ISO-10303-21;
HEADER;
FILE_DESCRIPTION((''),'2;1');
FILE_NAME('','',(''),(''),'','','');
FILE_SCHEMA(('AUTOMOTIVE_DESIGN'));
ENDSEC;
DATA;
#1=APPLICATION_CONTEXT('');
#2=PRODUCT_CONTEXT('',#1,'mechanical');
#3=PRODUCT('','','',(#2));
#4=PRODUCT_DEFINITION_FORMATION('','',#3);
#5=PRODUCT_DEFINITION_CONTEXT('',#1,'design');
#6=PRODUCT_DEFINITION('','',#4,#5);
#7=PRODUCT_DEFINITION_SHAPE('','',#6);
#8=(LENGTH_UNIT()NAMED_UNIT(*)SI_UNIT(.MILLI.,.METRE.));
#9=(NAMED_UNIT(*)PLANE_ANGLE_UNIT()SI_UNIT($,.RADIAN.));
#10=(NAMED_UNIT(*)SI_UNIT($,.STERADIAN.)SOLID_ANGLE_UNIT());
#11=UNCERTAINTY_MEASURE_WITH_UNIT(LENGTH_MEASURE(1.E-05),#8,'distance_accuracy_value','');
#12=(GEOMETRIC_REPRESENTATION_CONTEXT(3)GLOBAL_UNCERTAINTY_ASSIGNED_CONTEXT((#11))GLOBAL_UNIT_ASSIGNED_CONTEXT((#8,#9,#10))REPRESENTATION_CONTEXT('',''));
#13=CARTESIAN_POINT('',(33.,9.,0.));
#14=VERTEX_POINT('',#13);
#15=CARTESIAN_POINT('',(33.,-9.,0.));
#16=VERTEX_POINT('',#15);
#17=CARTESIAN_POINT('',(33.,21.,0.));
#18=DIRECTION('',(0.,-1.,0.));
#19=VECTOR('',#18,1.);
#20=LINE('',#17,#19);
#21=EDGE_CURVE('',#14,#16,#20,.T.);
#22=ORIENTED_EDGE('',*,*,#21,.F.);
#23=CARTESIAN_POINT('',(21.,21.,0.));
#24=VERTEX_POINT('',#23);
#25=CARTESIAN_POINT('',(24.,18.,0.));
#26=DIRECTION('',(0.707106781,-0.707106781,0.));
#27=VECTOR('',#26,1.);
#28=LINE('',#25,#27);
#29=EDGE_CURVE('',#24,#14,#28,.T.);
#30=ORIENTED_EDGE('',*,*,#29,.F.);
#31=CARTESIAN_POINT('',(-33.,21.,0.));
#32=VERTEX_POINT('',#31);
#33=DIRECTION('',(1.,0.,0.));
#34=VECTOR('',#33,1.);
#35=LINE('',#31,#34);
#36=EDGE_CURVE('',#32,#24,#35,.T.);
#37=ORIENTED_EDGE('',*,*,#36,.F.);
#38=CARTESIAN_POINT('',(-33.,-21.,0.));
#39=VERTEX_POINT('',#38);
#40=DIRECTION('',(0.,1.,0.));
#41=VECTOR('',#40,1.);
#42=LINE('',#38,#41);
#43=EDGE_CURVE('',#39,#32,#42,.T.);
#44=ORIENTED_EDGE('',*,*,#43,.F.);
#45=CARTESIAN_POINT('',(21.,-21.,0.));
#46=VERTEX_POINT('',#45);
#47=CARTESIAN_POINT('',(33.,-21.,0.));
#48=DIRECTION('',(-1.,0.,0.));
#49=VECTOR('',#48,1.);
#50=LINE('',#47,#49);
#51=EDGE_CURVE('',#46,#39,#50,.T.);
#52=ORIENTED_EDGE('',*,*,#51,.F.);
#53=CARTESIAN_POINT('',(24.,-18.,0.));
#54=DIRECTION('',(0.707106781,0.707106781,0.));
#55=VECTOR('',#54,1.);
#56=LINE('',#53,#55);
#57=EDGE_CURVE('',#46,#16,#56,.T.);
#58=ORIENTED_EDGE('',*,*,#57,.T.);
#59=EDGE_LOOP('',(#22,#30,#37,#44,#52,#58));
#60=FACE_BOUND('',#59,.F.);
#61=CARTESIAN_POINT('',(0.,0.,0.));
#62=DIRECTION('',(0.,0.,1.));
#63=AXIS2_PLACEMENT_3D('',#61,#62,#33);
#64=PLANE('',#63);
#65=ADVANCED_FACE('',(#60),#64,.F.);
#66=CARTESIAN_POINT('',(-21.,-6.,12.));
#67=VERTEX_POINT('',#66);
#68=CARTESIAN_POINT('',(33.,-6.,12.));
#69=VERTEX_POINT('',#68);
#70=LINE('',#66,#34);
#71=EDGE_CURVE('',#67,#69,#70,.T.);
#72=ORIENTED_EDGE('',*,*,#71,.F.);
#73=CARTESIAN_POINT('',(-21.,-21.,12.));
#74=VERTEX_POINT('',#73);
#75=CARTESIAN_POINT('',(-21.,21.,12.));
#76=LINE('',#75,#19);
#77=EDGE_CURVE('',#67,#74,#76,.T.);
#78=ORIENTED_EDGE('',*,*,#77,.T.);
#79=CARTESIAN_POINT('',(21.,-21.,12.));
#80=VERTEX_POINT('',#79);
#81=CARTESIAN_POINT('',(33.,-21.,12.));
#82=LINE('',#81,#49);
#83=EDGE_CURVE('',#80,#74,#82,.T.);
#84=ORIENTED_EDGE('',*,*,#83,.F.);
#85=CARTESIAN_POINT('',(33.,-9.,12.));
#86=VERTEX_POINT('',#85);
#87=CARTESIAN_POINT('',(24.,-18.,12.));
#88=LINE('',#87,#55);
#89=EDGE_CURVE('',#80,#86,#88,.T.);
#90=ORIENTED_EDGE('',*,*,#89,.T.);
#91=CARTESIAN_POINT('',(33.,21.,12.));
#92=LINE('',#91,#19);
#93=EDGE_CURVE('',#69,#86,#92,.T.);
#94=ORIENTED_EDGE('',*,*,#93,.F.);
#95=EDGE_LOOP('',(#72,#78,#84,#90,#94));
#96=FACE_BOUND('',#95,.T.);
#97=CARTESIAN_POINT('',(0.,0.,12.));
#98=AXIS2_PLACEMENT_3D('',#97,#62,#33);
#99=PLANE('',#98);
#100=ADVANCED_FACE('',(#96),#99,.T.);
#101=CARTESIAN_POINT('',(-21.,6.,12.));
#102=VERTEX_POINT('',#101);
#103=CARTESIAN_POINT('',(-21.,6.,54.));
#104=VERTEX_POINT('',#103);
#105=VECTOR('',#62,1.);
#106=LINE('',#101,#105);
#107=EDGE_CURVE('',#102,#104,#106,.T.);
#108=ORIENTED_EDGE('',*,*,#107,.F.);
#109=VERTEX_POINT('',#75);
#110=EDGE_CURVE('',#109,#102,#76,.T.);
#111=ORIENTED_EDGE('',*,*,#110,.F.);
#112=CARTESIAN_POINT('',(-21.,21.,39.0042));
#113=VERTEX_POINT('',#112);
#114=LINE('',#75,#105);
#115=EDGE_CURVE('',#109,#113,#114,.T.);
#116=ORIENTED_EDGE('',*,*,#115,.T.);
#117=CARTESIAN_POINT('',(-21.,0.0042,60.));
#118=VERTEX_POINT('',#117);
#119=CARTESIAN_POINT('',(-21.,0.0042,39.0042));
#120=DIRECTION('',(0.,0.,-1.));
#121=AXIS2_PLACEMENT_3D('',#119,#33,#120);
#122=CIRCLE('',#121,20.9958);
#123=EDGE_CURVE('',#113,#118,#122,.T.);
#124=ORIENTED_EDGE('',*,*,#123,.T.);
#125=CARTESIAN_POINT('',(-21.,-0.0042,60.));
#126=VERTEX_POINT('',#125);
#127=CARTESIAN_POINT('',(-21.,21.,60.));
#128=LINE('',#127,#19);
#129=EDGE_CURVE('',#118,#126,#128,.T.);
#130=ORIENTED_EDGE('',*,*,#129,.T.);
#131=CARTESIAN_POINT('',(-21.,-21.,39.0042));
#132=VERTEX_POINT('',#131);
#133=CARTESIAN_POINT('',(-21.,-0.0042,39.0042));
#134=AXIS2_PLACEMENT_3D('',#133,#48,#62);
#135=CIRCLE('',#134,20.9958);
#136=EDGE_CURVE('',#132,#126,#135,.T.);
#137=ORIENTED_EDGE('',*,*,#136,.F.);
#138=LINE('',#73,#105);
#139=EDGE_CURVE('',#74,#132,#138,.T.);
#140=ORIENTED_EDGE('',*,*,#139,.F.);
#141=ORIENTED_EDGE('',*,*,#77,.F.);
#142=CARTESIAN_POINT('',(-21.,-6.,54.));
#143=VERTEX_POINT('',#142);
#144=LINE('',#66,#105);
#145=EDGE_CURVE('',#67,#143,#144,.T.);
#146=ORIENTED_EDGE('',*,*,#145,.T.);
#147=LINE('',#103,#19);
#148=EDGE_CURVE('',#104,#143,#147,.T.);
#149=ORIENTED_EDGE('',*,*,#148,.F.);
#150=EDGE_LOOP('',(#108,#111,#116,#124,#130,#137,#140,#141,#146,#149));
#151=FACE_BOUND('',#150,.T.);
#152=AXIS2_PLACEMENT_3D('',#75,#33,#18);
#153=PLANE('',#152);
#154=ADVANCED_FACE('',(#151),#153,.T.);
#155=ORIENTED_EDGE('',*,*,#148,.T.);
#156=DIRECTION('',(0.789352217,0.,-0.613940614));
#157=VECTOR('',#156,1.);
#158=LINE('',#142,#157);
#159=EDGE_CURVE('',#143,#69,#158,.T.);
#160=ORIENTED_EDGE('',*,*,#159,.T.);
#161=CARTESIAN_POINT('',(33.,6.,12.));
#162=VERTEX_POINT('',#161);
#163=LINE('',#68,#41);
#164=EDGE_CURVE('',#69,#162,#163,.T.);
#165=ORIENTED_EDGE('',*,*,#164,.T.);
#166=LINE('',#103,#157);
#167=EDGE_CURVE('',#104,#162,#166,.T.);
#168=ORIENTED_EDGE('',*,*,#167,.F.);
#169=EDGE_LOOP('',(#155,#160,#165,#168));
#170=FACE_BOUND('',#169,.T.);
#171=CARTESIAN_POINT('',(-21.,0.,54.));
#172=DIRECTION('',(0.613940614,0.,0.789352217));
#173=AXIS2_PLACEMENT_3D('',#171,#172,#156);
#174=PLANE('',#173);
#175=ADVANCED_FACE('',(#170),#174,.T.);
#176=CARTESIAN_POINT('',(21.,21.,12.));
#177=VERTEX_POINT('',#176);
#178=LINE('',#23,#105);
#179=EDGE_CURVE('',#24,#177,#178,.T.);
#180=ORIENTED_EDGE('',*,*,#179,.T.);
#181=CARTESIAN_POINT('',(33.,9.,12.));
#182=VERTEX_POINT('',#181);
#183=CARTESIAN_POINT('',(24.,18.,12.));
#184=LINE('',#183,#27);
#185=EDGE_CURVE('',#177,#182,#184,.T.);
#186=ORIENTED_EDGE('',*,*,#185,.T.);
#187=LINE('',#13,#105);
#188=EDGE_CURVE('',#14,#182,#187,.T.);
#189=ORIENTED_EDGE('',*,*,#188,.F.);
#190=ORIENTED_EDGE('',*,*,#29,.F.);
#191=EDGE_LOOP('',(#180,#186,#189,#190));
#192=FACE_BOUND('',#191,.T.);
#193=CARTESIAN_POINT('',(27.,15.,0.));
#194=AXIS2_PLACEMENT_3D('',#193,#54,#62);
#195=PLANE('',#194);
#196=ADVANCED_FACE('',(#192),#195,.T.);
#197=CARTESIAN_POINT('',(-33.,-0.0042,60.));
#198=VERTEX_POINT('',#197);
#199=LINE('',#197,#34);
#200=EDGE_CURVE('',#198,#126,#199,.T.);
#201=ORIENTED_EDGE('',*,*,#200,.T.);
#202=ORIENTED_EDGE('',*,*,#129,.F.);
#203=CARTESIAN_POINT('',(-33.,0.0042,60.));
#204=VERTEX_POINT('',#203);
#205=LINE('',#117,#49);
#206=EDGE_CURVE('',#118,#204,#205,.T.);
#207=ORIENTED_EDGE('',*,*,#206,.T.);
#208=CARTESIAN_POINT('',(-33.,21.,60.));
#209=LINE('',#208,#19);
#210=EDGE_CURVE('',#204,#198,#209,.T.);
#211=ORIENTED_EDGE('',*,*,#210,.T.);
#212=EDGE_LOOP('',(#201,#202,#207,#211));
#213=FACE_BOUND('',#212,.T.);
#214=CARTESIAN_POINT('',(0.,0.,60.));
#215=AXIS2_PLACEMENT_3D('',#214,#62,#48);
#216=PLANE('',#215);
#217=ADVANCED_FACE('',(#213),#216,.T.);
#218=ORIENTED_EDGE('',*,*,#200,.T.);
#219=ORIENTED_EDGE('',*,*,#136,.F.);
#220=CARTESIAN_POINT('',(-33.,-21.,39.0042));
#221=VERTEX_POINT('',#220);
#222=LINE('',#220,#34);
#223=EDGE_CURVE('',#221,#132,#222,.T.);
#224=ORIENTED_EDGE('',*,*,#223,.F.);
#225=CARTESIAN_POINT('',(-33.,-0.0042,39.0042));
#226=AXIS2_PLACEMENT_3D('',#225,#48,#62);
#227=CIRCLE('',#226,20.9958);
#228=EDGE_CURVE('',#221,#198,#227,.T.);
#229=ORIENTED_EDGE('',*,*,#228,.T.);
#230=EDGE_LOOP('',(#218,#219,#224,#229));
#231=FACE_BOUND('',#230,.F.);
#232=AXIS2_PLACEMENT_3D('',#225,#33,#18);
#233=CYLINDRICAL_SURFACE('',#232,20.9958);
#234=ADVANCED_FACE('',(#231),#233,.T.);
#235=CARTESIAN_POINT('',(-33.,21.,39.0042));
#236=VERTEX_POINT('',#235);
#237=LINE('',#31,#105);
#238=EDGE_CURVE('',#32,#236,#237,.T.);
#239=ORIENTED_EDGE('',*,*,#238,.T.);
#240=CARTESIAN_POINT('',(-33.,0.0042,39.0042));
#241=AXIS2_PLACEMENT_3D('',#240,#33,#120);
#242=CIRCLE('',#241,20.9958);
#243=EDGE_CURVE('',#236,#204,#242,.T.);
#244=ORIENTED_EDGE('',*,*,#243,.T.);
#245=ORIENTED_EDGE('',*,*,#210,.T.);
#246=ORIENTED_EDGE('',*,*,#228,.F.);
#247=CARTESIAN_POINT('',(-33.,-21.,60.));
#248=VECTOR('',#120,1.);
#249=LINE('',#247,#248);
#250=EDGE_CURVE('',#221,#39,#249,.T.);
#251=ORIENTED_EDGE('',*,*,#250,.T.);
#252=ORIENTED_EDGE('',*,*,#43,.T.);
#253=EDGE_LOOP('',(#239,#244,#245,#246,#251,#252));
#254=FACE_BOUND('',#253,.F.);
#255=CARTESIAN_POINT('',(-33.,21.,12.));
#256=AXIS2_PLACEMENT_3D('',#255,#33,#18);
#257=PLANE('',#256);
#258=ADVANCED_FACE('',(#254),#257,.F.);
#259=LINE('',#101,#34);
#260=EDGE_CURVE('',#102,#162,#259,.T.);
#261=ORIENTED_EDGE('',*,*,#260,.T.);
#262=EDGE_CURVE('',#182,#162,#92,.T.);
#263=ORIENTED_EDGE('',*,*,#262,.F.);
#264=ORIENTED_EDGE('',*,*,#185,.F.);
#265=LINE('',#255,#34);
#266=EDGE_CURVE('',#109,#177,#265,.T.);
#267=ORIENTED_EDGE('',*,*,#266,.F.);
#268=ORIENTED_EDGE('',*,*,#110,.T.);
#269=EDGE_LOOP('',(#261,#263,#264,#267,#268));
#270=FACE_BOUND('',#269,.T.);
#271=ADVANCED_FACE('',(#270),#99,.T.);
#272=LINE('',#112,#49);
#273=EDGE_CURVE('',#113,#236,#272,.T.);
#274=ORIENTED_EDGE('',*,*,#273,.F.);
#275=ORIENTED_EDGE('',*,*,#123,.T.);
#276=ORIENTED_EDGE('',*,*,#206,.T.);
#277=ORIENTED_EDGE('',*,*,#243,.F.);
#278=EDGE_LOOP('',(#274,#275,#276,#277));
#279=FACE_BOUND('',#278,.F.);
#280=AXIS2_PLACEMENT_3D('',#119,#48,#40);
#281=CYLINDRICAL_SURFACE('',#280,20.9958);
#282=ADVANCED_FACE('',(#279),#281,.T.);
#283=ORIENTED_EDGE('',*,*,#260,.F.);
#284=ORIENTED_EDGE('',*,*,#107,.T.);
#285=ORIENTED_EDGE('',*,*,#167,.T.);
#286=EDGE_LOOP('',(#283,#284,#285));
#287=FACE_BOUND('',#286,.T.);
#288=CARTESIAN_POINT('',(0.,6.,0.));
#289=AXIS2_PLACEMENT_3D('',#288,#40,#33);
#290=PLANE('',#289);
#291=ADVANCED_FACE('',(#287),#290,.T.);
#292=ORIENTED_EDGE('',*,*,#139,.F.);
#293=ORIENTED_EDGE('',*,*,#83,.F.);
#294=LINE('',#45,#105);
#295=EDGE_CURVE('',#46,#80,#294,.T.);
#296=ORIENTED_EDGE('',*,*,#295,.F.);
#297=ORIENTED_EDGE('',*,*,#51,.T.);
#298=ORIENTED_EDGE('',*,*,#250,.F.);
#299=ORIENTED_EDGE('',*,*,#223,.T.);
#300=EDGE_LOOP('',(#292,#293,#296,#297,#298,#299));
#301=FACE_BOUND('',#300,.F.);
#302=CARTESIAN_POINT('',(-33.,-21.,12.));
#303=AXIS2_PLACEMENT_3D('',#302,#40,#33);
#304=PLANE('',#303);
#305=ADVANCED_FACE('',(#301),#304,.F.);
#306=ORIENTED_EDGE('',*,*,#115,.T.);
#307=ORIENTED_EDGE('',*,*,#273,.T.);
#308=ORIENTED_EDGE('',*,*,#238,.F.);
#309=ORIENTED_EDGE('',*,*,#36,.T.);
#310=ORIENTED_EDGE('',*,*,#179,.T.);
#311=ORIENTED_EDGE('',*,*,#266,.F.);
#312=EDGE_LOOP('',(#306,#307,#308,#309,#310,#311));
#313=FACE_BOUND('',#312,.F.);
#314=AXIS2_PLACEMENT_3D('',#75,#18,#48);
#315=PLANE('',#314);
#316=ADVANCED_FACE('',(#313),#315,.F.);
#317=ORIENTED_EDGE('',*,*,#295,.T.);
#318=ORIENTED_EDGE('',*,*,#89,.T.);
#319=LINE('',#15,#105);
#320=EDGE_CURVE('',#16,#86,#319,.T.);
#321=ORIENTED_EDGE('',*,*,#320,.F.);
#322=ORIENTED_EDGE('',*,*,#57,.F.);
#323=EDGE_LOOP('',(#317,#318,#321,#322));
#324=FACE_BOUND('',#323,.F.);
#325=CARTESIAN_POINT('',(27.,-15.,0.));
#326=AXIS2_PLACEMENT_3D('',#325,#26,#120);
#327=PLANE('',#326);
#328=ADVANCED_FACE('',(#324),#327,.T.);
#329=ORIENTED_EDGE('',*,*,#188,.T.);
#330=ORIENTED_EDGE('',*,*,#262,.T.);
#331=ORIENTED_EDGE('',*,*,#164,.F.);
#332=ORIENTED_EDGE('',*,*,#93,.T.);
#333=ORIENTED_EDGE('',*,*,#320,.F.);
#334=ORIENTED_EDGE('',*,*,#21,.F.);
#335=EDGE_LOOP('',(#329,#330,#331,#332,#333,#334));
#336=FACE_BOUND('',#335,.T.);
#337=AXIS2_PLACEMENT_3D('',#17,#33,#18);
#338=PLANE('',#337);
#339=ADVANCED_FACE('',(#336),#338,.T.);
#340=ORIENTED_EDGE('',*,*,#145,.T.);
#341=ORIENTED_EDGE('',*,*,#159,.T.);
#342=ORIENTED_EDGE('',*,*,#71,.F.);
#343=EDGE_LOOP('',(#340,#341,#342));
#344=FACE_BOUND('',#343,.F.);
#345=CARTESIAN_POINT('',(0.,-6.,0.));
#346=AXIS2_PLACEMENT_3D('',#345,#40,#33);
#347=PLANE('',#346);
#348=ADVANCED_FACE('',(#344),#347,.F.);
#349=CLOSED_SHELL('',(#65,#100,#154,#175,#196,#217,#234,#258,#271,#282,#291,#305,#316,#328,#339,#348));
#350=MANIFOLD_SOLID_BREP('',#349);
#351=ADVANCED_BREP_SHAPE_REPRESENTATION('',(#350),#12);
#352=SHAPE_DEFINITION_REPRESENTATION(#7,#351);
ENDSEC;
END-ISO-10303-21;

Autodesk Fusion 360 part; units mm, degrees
sketch "Sketch1" plane through (0, 0, 0) normal (0, 0, 1) x (1, 0, 0)
  line L0 (33, -21) -> (-33, -21)
  line L1 (-33, -21) -> (-33, 21)
  line L2 (-33, 21) -> (33, 21)
  line L3 (33, 21) -> (33, -21)
  line L4 (33, -21) -> (-33, 21) construction
  line L5 (-33, -21) -> (33, 21) construction
  dimension "d1" = 66
  dimension "d2" = 42
extrude "Extrude1" add sketch "Sketch1" along normal blind 12
chamfer "Chamfer1" distance 12 angle 45 2 edges at (33, -21, 6) (33, 21, 6)
sketch "Sketch3" plane through (0, 0, 12) normal (0, 0, 1) x (-1, 0, 0)
  line L0 (-33, -9) -> (-21, -21)
  line L1 (-21, -21) -> (33, -21)
  line L2 (33, -21) -> (33, 21)
  line L3 (33, 21) -> (-21, 21)
  line L4 (-21, 21) -> (-33, 9)
  line L5 (-33, 9) -> (-33, -9)
  line L6 (33, -21) -> (21, -21)
  line L7 (21, -21) -> (21, 21)
  line L8 (21, 21) -> (33, 21)
  line L9 (33, 21) -> (33, -21)
  dimension "d7" = 12
extrude "Extrude2" add sketch "Sketch3" along normal blind 48 contours L1 L2 L3 L6 L7 L8 L9
fillet "Fillet1" radius 21 2 edges at (-27, -21, 60) (-27, 21, 60)
sketch "Sketch4" plane through (0, 0, 0) normal (0, 1, 0) x (1, 0, 0)
  line L0 (-21, -12) -> (33, -12)
  line L1 (-21, -12) -> (-21, -54)
  line L2 (-21, -54) -> (33, -12)
  dimension "d12" = 54
  dimension "d13" = 42
extrude "Extrude3" add sketch "Sketch4" along normal blind 6
extrude "Extrude4" add 1 faces at (-3, 0, 26) along direction (0, -1, 0) blind 6
